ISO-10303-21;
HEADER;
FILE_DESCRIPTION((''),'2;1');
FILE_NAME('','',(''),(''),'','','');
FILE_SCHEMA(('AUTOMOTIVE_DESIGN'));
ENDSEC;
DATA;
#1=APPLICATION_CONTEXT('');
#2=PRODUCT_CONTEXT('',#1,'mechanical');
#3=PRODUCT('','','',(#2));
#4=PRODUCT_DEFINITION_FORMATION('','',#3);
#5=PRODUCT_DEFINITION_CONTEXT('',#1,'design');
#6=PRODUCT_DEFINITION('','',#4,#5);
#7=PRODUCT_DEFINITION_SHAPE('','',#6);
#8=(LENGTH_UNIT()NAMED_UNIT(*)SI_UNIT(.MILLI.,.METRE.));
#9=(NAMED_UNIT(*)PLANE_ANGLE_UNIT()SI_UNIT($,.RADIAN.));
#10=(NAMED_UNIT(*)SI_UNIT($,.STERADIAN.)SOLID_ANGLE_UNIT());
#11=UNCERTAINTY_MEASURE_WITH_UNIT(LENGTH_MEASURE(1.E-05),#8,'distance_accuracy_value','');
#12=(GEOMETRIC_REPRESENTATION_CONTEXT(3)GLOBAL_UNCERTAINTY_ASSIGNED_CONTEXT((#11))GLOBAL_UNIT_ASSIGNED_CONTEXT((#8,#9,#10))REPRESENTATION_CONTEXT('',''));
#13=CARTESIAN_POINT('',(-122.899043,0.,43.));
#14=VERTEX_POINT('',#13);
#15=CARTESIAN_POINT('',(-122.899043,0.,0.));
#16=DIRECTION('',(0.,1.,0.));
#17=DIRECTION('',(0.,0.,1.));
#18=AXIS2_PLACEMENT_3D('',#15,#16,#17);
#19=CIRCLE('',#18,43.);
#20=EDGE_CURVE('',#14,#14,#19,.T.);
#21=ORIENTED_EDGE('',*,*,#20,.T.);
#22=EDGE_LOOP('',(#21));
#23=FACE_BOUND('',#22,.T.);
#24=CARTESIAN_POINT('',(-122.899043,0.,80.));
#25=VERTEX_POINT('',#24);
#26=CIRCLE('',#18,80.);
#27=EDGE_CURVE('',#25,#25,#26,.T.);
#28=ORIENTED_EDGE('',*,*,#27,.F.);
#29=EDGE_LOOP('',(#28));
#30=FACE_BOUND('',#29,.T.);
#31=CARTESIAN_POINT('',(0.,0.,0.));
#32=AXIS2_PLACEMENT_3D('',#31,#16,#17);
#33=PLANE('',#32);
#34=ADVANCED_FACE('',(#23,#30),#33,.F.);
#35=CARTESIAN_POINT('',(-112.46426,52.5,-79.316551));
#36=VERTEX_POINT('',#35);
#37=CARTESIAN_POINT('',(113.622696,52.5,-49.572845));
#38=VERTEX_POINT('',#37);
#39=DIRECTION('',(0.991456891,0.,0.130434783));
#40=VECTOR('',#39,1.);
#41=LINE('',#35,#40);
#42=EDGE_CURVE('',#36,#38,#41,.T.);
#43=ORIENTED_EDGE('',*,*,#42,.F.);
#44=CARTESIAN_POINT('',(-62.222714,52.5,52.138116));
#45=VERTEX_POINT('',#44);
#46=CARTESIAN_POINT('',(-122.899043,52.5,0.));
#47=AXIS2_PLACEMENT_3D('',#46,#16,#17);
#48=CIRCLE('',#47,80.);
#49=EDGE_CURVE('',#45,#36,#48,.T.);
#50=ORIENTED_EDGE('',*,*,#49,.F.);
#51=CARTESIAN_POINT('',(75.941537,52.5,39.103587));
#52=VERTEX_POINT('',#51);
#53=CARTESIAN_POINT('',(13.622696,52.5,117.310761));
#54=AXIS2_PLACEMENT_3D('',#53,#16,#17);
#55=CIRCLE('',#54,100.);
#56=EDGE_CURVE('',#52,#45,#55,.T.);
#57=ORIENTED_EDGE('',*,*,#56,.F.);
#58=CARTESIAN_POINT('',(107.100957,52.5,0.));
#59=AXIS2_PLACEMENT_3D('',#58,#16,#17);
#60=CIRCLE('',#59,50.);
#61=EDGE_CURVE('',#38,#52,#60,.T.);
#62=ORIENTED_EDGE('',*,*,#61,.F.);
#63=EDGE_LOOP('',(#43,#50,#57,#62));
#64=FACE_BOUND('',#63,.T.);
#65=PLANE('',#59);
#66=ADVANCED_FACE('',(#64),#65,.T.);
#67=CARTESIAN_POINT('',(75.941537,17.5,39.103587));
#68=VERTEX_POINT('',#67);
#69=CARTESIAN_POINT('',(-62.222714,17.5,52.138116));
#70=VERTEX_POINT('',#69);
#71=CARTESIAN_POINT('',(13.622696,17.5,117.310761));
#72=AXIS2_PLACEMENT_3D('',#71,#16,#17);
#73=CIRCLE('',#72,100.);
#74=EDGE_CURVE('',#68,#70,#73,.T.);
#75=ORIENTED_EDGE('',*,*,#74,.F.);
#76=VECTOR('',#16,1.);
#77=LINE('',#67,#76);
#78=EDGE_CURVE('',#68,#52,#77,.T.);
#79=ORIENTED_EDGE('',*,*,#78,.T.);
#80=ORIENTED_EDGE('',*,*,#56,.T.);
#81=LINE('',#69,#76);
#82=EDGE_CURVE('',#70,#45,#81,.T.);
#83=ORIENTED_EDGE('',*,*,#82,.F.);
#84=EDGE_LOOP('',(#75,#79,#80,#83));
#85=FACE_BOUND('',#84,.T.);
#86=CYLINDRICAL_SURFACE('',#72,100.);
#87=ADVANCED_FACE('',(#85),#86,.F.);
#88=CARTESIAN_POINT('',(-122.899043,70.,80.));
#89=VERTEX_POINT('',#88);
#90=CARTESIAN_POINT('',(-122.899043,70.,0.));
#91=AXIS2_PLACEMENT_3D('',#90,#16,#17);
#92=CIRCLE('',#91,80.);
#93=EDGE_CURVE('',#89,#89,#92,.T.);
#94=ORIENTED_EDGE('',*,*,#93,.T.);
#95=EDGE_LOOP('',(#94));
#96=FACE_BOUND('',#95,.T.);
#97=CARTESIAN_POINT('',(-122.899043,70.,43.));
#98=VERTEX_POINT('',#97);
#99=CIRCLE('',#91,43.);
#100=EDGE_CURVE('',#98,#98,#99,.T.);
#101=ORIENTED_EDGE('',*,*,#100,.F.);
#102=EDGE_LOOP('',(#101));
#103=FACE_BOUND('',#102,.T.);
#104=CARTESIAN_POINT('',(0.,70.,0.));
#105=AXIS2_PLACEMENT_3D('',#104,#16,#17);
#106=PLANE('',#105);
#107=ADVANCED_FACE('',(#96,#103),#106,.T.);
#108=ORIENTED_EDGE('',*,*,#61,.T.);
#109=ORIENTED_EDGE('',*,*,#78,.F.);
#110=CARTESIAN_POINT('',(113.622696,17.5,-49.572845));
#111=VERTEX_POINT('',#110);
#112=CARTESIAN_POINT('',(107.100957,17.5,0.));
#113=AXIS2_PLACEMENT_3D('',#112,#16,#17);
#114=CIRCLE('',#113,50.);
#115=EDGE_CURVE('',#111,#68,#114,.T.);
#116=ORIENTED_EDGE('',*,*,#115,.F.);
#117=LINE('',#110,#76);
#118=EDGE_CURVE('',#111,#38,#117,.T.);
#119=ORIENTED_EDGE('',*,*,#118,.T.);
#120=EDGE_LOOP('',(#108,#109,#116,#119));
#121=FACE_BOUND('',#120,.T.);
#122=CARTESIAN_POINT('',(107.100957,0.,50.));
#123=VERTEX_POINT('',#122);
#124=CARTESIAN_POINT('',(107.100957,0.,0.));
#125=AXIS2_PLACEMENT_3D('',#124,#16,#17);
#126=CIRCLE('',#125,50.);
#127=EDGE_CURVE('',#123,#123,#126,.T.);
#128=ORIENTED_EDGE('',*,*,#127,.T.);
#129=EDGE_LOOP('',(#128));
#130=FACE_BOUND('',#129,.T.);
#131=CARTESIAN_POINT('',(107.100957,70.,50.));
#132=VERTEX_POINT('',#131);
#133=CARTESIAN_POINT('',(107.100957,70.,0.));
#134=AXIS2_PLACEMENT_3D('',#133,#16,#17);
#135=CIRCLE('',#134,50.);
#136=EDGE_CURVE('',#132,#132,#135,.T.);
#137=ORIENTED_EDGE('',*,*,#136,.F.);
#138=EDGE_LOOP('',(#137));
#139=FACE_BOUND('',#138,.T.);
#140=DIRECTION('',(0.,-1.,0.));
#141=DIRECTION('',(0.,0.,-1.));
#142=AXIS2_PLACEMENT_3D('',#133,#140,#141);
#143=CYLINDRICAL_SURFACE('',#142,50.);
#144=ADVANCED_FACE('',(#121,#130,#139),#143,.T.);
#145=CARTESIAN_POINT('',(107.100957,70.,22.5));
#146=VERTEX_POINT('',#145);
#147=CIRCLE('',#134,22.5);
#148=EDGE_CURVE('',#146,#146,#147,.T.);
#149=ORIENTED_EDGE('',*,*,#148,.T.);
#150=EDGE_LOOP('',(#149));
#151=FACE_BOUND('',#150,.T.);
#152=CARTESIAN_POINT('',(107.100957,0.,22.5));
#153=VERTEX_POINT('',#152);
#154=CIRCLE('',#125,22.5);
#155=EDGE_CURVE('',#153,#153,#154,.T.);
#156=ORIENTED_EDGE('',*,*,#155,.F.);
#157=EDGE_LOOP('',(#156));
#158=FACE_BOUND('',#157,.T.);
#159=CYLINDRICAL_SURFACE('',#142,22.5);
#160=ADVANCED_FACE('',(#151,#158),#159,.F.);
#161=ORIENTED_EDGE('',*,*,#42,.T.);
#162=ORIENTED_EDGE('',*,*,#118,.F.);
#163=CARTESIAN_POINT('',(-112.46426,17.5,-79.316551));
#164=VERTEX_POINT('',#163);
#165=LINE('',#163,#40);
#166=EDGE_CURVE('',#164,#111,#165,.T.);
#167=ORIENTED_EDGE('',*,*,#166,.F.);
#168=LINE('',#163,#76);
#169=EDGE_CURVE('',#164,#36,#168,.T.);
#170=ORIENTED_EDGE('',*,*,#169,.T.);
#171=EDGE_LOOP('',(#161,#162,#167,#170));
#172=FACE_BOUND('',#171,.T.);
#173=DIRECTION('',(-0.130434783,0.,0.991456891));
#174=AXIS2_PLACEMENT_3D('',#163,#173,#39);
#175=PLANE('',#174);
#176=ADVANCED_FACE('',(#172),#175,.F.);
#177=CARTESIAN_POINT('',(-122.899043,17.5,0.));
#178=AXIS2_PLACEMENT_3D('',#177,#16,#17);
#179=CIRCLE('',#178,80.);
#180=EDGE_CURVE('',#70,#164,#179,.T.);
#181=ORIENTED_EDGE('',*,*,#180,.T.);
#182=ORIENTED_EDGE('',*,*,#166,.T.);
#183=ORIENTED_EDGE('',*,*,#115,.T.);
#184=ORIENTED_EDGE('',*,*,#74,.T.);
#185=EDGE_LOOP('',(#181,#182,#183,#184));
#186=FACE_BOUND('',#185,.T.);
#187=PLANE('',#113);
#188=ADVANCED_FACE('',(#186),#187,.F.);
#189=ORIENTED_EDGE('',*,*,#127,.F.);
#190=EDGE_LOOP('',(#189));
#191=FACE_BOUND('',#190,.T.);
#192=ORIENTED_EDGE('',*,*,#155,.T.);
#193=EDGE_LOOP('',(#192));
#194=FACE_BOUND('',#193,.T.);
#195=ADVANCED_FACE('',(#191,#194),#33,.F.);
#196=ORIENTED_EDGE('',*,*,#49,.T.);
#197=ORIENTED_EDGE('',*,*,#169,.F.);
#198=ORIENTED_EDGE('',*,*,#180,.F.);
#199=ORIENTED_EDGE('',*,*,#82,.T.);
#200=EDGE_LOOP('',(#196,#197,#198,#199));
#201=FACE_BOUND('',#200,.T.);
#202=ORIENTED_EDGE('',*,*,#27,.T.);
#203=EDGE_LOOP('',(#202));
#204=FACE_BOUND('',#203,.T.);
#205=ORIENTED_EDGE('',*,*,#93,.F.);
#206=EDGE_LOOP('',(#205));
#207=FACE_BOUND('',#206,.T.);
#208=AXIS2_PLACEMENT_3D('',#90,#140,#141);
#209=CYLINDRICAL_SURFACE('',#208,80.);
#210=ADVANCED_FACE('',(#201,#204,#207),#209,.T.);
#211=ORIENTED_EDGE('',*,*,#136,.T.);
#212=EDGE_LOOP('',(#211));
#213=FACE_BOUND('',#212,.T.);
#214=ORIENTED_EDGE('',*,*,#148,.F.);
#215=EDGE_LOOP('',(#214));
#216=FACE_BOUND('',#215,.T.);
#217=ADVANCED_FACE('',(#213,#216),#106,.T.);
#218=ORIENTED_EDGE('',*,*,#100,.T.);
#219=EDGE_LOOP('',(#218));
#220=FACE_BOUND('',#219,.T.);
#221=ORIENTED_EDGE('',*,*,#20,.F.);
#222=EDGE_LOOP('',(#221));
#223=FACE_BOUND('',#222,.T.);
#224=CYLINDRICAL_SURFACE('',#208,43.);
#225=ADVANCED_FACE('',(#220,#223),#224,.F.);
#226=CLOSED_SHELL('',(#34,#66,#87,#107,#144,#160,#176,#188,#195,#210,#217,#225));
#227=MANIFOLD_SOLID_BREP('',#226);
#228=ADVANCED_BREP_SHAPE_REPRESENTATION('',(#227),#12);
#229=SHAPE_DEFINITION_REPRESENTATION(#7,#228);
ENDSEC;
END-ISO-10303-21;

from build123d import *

# Parameters (mm, degrees)
SKETCH_1_R        = 80
SKETCH_1_R_2      = 43
EXTRUDE_1_DEPTH   = 70
SKETCH_1_R_3      = 50
SKETCH_1_R_4      = 22.5
EXTRUDE_1_2_DEPTH = 70
EXTRUDE_START     = -52.5
EXTRUDE_2_DEPTH   = 35


with BuildPart() as part:
    # 스케치1 → 보스-돌출1 (new body)
    with BuildSketch(Plane(origin=(0, 0, 0), x_dir=(1, 0, 0), z_dir=(0, 1, 0))):
        with Locations(Location((-122.899042893, 0, 0), (0, 0, 270))):
            Circle(SKETCH_1_R)
        with Locations(Location((-122.899042893, 0, 0), (0, 0, 270))):
            Circle(SKETCH_1_R_2, mode=Mode.SUBTRACT)
    extrude(amount=EXTRUDE_1_DEPTH)



with BuildPart() as body_2:
    # 스케치1 → Extrude 1 2 (new body)
    with BuildSketch(Plane(origin=(0, 0, 0), x_dir=(1, 0, 0), z_dir=(0, 1, 0))):
        with Locations(Location((107.100957107, 0, 0), (0, 0, 270))):
            Circle(SKETCH_1_R_3)
        with Locations(Location((107.100957107, 0, 0), (0, 0, 270))):
            Circle(SKETCH_1_R_4, mode=Mode.SUBTRACT)
    extrude(amount=EXTRUDE_1_2_DEPTH)


with BuildPart() as part_1:
    add(part.part)

    add(body_2.part)  # 보스-돌출2 merges body 2
    # 스케치2 → 보스-돌출2 (add)
    with BuildSketch(Plane(origin=(0, 70, 0), x_dir=(1, 0, 0), z_dir=(0, 1, 0)).offset(EXTRUDE_START)):
        with BuildLine():
            Line((-112.464260284, 79.316551311), (113.622696237, 49.57284457))
            ThreePointArc((113.622696237, 49.57284457), (61.083229888, 19.554252264), (75.941536817, -39.10358714))
            ThreePointArc((75.941536817, -39.10358714), (4.230318414, -17.752822315), (-62.222714391, -52.138116186))
            ThreePointArc((-62.222714391, -52.138116186), (-48.171003091, 28.560813493), (-112.464260284, 79.316551311))
        make_face()
    extrude(amount=EXTRUDE_2_DEPTH)


solid = part_1.part
